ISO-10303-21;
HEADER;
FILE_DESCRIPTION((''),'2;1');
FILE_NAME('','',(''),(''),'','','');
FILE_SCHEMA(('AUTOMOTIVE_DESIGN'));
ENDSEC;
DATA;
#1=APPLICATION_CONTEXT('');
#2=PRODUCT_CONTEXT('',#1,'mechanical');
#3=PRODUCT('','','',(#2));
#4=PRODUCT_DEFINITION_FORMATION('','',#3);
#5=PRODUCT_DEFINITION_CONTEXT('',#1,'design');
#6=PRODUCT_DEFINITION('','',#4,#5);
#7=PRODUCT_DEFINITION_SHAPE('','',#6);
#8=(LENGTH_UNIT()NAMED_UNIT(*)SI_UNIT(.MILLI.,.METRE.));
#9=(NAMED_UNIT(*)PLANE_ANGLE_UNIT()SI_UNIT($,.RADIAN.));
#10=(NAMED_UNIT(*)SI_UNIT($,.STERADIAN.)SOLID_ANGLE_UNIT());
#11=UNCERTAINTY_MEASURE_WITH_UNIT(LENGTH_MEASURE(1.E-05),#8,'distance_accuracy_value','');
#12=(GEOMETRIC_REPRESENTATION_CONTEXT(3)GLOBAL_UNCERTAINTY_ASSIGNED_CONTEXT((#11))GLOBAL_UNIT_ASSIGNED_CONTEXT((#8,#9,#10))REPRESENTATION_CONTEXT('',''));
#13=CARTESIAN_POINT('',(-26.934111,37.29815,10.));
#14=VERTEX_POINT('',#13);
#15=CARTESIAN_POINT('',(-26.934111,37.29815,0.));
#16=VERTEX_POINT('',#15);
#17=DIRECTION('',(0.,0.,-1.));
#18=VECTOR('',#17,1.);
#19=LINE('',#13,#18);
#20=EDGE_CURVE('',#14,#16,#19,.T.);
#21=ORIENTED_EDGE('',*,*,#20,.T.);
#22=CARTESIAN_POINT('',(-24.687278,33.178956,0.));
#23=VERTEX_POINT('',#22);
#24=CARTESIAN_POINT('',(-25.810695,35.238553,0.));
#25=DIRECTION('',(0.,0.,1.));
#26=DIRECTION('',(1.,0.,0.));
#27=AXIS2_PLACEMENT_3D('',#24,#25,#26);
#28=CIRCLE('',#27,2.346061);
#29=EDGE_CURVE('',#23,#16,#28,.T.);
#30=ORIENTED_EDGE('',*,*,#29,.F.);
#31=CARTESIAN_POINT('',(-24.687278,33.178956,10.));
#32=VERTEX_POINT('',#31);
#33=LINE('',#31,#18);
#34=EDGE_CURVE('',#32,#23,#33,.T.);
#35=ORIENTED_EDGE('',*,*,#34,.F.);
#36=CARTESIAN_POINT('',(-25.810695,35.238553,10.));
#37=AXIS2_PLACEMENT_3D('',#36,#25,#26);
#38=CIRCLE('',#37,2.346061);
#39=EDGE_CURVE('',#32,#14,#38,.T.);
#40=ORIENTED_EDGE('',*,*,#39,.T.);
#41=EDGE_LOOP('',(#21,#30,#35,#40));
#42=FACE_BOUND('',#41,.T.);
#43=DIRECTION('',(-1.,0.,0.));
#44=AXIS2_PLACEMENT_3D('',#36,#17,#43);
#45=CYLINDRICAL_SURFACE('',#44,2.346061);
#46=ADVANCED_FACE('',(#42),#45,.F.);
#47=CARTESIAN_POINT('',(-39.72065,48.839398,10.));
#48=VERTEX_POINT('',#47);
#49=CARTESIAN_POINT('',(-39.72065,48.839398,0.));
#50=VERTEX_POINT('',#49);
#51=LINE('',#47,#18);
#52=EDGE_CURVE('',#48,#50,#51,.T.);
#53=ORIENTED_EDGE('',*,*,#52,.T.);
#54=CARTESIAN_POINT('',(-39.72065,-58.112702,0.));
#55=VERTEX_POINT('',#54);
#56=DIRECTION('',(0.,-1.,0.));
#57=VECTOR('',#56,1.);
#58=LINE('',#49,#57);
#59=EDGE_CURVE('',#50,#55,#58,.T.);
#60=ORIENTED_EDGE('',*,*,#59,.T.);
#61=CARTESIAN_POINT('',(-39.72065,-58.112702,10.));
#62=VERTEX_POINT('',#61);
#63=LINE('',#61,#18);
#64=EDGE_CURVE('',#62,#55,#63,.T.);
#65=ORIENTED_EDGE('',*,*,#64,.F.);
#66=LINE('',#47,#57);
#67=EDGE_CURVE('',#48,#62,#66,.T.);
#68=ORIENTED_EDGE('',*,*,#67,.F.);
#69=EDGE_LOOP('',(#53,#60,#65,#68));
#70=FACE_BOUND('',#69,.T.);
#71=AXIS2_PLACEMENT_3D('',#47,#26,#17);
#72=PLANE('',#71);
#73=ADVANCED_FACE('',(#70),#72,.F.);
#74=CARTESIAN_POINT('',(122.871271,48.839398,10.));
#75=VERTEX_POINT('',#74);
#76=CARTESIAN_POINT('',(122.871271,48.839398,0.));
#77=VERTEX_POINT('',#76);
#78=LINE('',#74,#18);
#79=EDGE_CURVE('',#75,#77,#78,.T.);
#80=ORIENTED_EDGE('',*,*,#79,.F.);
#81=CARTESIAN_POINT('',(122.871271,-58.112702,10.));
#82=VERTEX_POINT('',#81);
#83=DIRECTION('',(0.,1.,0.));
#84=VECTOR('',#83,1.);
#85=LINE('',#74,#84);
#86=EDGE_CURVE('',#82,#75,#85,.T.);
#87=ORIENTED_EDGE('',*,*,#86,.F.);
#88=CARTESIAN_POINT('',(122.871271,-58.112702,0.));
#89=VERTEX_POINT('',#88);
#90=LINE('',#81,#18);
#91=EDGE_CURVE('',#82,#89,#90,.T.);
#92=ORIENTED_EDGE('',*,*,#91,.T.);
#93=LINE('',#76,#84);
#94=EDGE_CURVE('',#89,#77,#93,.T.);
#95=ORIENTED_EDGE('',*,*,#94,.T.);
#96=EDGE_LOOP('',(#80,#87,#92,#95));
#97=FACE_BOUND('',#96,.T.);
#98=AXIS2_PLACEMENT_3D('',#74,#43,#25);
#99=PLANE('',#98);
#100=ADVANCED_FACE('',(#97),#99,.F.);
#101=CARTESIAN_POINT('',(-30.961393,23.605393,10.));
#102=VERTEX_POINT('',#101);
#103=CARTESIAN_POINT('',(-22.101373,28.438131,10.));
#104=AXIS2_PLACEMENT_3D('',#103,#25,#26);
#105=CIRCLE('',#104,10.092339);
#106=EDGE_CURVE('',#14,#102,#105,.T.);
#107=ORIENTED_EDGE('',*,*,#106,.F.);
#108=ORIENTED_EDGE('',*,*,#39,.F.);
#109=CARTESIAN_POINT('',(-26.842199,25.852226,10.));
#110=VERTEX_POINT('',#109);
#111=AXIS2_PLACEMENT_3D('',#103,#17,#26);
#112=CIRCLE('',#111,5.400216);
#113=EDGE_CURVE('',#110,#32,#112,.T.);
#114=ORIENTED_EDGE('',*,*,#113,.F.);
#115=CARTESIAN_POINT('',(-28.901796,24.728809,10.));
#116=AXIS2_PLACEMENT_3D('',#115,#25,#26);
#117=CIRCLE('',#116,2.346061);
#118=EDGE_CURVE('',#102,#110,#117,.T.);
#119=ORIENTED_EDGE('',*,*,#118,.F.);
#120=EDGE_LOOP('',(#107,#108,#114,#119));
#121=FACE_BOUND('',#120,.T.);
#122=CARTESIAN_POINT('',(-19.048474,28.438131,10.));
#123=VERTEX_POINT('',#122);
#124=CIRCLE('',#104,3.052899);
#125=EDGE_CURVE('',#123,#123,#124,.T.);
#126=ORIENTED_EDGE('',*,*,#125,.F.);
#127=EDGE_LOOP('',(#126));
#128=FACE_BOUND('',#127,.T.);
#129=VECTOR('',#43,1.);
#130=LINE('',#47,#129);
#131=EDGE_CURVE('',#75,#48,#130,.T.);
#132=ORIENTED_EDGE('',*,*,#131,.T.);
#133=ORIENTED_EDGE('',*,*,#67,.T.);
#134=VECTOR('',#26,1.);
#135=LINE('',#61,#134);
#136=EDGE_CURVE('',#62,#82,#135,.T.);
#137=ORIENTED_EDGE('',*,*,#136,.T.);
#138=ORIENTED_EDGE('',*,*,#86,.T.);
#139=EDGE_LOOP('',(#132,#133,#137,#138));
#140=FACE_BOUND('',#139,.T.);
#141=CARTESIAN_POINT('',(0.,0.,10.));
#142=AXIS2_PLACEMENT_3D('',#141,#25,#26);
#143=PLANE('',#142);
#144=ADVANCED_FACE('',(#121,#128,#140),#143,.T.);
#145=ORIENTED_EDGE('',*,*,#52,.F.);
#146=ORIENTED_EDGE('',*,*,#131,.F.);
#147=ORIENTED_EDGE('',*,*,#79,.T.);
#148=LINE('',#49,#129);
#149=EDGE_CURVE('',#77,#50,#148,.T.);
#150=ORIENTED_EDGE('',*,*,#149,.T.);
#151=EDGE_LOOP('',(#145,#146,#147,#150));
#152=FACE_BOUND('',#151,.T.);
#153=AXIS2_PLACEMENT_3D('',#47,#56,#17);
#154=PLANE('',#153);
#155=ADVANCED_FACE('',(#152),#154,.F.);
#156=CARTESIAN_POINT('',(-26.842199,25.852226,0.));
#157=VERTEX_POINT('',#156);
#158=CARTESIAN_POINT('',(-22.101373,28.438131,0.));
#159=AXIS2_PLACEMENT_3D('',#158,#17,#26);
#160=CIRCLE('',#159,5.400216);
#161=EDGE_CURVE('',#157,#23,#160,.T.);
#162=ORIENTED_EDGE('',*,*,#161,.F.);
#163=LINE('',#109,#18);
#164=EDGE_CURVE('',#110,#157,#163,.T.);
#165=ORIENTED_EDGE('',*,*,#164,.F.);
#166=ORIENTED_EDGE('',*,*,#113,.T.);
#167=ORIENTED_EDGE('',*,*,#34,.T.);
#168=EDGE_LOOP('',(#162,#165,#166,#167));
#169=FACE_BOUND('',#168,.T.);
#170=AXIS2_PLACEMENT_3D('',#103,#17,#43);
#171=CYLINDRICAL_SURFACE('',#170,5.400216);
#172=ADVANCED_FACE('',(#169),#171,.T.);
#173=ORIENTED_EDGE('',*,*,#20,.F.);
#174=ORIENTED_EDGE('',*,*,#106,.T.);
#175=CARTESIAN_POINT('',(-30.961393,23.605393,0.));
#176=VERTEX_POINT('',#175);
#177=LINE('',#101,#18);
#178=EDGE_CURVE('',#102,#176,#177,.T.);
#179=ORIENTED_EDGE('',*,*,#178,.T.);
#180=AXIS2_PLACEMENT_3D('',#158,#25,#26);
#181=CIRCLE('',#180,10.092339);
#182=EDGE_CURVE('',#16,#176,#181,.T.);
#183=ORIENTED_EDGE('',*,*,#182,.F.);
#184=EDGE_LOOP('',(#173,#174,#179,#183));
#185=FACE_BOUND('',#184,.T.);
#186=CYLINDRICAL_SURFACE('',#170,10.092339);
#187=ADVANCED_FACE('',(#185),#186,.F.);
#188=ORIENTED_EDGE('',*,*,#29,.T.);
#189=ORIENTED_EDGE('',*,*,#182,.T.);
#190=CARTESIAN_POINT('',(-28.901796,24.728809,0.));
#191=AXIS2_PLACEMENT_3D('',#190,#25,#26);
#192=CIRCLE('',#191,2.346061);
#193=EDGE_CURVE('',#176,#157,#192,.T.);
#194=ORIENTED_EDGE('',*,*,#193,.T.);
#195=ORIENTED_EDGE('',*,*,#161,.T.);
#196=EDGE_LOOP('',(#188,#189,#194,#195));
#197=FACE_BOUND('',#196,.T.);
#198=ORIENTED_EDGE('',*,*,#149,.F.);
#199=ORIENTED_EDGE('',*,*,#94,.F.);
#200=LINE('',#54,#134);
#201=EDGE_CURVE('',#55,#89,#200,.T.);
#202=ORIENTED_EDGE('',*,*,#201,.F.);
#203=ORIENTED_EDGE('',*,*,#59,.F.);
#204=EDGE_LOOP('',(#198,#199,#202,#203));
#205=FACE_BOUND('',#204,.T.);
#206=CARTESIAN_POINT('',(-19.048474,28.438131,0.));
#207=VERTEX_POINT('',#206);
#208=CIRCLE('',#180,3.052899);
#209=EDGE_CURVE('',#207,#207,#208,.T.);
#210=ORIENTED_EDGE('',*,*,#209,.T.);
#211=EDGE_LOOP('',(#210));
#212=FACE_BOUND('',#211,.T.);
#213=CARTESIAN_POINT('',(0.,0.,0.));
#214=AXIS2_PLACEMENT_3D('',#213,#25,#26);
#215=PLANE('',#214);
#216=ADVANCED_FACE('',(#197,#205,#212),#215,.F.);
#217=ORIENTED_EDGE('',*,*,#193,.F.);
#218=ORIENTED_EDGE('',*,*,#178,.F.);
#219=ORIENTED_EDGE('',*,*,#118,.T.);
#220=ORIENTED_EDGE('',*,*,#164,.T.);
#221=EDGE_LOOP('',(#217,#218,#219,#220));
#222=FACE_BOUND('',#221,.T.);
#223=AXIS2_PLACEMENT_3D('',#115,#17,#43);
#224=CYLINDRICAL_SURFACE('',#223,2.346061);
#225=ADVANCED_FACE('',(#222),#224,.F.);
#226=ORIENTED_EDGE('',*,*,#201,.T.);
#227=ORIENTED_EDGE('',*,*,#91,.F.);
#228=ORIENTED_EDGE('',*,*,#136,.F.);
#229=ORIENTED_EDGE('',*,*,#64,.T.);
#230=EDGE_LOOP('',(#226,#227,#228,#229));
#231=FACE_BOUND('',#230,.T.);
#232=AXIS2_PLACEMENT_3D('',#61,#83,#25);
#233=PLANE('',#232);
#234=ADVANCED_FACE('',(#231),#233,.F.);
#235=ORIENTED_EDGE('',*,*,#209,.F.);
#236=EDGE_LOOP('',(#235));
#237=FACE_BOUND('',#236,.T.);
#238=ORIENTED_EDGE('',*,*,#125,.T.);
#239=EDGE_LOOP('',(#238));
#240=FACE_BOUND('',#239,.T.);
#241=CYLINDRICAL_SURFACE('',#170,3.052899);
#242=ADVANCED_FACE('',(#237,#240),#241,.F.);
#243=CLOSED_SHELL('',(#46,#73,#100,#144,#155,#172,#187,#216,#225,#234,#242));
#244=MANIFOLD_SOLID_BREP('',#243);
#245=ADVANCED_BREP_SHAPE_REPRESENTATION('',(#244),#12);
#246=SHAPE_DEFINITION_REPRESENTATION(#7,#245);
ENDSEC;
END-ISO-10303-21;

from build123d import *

# Parameters (mm, degrees)
F_1_FR_W        = 162.591921451
F_1_FR_H        = 106.952100423
F_1_FR_R        = 3.052899236
EXTRUDE_1_DEPTH = 10


with BuildPart() as part:
    # Эскиз1_fr → Бобышка-Вытянуть1 (new body)
    with BuildSketch(Plane.XY):
        with Locations((41.575310714, -4.636651753)):
            Rectangle(F_1_FR_W, F_1_FR_H)
        with Locations((-22.101373353, 28.438130748)):
            Circle(F_1_FR_R, mode=Mode.SUBTRACT)
        with BuildLine():
            ThreePointArc((-26.934111294, 37.298150306), (-31.783615034, 31.28584889), (-30.961392911, 23.605392807))
            ThreePointArc((-30.961392911, 23.605392807), (-27.778379385, 22.669212359), (-26.842198936, 25.852225885))
            ThreePointArc((-26.842198936, 25.852225885), (-27.282154135, 29.961889802), (-24.687278216, 33.178956331))
            ThreePointArc((-24.687278216, 33.178956331), (-23.751097767, 36.361969857), (-26.934111294, 37.298150306))
        make_face(mode=Mode.SUBTRACT)
    extrude(amount=EXTRUDE_1_DEPTH)


solid = part.part
